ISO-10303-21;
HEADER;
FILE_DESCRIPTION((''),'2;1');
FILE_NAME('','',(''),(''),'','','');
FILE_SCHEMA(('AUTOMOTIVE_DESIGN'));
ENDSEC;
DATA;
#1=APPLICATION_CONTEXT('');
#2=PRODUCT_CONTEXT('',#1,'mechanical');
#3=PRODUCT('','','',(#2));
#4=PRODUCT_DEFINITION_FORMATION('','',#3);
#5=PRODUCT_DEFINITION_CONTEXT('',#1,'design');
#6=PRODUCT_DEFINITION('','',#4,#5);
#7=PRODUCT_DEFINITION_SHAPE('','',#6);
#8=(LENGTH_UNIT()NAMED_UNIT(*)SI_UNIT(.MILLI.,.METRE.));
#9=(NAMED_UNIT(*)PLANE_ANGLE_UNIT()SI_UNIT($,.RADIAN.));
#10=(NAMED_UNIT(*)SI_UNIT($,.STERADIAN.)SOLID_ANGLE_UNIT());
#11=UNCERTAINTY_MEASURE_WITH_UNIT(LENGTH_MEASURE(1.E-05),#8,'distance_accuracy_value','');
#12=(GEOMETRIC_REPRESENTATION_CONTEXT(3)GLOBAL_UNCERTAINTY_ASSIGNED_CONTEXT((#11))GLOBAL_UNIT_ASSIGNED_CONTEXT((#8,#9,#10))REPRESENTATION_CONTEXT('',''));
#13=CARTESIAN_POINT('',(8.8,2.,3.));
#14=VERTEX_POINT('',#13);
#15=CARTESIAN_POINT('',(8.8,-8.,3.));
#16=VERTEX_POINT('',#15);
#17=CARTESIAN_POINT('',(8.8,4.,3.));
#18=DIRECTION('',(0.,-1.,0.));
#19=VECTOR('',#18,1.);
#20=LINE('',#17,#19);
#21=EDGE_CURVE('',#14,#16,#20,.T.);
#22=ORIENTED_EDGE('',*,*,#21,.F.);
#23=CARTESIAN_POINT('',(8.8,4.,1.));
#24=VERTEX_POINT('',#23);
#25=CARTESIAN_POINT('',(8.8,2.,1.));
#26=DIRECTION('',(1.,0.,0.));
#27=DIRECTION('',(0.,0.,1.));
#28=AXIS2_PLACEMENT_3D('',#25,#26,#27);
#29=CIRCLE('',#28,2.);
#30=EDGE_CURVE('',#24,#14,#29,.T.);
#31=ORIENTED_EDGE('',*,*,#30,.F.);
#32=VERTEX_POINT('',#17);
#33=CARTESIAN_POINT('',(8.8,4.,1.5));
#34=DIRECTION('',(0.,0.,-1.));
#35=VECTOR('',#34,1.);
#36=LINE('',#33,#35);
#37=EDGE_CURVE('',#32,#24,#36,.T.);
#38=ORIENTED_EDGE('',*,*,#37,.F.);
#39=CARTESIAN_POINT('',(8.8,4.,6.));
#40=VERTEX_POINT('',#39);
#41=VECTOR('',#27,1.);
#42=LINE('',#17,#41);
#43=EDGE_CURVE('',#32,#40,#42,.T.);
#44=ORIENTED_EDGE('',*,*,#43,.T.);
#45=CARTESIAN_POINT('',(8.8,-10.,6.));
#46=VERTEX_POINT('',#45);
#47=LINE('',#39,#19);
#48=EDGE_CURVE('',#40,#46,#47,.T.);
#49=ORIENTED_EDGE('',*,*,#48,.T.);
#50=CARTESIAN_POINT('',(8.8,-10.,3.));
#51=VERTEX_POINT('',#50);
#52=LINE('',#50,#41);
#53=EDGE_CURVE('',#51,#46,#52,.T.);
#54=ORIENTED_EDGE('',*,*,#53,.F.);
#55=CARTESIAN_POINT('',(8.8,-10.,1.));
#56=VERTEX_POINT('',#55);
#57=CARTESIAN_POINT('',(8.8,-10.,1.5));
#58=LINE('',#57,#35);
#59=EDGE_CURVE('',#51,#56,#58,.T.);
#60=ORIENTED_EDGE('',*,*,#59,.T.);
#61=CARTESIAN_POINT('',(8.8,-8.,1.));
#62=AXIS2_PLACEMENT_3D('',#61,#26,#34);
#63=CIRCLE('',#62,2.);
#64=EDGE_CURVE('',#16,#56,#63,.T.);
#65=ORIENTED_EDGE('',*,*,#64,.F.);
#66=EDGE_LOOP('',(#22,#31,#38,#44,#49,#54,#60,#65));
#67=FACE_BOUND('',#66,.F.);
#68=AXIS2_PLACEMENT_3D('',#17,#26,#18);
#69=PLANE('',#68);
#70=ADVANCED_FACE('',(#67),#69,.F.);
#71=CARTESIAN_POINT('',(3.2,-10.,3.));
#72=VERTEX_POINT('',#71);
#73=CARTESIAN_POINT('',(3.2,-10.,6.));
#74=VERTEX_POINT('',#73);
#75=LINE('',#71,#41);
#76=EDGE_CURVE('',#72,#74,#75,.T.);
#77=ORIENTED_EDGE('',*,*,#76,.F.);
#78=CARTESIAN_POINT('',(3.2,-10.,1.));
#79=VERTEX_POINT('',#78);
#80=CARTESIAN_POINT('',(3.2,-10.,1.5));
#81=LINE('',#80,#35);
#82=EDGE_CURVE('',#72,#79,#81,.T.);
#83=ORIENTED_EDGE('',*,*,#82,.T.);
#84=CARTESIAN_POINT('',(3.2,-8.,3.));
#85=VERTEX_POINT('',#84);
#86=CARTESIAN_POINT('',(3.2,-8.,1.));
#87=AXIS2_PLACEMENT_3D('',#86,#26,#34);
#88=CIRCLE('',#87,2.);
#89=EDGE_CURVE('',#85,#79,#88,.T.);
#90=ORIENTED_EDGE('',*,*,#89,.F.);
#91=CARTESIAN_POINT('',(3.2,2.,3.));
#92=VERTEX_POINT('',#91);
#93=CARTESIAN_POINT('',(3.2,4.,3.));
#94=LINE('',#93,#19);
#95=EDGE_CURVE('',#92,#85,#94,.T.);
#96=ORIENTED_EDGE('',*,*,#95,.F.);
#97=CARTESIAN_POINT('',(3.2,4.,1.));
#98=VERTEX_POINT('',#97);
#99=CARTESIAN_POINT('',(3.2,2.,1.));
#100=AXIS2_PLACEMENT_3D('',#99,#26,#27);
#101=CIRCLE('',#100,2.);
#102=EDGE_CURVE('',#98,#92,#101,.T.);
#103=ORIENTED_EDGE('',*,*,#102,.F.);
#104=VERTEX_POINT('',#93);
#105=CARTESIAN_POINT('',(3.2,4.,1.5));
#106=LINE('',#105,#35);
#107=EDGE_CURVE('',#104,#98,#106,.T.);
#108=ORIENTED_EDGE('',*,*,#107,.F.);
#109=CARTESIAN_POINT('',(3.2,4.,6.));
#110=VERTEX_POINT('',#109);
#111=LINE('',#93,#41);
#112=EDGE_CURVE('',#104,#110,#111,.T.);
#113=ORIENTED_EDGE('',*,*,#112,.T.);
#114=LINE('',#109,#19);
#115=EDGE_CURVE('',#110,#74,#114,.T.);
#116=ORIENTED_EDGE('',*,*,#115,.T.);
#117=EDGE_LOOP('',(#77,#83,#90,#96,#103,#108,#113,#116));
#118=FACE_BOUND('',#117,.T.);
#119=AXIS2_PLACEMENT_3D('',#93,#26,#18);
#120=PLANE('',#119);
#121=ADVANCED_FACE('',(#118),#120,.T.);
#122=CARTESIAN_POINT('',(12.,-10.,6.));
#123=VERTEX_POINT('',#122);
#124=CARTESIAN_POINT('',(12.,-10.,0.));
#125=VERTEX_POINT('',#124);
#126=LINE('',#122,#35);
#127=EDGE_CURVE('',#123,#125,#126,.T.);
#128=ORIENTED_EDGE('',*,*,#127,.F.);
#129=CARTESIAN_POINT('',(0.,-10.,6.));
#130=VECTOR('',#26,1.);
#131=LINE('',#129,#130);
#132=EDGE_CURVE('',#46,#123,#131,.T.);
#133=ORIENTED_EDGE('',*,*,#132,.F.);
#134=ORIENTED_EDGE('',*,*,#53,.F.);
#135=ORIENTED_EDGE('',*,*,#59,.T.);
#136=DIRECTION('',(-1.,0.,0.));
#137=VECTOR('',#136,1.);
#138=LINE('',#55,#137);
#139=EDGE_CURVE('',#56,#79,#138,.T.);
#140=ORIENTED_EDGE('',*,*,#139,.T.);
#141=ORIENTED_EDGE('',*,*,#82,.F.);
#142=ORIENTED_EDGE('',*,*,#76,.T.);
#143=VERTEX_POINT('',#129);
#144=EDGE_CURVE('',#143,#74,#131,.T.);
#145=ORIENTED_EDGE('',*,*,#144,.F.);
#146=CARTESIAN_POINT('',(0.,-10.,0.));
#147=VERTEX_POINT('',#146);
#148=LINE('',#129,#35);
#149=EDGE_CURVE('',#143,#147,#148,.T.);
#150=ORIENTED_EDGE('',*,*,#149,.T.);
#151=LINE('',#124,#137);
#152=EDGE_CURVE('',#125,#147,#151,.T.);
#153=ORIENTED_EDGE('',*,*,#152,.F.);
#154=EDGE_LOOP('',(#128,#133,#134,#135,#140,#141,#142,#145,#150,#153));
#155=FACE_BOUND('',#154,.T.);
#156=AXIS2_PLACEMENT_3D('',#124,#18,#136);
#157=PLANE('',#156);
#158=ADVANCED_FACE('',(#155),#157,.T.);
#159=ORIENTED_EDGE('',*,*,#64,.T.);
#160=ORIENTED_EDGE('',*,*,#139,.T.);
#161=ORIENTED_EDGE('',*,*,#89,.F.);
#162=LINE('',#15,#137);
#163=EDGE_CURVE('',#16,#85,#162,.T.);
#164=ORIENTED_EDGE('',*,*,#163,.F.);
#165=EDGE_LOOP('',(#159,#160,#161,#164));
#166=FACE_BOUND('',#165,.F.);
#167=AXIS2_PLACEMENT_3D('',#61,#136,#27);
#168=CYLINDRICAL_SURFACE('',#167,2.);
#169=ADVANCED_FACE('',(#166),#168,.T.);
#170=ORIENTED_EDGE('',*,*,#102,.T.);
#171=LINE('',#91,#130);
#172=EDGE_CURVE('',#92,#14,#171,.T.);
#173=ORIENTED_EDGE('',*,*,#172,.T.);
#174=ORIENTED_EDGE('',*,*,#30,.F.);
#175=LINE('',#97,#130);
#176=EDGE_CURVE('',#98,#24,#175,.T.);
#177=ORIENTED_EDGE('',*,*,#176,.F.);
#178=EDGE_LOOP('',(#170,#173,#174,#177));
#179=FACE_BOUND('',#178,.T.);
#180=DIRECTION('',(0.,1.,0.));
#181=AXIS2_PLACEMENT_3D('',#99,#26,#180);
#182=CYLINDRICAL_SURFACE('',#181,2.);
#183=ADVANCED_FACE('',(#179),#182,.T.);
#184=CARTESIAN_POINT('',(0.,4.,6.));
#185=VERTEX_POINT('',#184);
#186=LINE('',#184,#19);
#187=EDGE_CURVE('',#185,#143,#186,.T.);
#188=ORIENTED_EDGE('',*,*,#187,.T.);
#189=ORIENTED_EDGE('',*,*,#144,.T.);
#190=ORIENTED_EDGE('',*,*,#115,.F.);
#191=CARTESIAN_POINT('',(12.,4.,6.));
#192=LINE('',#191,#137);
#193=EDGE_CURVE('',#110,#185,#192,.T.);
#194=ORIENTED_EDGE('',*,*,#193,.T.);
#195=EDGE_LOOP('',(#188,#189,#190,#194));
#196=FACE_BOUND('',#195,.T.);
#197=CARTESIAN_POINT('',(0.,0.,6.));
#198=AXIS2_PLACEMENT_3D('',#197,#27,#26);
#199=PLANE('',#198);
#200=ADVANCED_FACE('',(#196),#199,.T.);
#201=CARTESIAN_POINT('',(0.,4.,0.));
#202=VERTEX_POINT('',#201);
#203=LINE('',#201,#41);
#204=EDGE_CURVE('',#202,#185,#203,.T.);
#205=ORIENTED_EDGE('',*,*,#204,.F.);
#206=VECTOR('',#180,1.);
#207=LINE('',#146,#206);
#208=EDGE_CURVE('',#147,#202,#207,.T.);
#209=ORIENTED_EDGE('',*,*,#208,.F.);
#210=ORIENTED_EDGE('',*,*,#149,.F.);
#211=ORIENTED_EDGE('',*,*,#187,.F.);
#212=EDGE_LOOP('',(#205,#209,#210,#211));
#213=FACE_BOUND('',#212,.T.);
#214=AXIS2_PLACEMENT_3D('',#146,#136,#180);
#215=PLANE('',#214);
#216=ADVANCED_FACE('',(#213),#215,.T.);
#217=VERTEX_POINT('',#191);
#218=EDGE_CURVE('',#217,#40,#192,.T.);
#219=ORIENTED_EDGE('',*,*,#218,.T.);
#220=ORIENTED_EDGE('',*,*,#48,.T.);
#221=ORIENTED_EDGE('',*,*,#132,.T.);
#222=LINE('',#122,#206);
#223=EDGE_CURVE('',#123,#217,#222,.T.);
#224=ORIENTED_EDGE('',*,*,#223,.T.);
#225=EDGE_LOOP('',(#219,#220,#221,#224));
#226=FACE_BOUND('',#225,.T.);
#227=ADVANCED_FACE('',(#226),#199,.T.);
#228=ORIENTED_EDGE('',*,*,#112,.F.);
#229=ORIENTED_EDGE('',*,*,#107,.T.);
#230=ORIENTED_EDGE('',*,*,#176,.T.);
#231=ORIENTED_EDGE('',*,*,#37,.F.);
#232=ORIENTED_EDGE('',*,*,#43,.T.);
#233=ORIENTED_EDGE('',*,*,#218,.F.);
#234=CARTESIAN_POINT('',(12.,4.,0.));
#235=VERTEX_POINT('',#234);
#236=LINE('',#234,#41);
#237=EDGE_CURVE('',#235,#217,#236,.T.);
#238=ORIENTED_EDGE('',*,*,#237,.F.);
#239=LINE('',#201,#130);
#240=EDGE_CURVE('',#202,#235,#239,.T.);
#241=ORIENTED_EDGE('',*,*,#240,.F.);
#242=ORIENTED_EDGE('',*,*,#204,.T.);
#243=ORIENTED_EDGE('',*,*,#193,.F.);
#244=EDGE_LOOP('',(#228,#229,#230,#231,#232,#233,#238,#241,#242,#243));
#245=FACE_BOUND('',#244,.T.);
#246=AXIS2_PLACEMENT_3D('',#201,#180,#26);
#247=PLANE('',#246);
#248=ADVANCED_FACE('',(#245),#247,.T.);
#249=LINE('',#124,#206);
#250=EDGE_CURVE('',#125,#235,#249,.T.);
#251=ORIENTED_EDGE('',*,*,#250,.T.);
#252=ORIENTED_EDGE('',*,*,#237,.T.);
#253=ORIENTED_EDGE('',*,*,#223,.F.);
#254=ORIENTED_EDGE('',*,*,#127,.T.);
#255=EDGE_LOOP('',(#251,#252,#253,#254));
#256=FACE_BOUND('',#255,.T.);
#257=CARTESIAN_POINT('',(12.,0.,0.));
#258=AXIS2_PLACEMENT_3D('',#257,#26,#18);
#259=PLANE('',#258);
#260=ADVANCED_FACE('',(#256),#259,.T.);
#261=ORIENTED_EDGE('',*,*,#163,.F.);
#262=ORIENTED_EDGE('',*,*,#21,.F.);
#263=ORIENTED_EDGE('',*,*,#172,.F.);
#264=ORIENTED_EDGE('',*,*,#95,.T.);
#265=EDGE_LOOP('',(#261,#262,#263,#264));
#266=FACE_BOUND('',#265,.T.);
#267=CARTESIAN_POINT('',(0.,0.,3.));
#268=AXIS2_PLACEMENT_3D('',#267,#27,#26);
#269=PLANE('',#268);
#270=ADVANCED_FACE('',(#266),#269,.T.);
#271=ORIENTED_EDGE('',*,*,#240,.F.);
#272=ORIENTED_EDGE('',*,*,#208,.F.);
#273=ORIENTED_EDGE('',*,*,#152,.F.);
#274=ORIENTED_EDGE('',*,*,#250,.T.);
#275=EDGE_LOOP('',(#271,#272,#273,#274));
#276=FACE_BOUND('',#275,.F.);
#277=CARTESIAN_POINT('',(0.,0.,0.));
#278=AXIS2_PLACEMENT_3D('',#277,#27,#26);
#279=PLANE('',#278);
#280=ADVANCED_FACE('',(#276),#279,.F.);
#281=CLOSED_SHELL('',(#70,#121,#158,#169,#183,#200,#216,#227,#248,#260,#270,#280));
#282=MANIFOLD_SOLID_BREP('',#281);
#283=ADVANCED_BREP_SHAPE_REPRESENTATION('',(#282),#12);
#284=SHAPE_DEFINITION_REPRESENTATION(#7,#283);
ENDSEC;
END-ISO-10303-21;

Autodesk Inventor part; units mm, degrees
ref_plane "YZ Plane" through (0, 0, 0) normal (1, 0, 0) x (0, 1, 0)
ref_plane "XZ Plane" through (0, 0, 0) normal (0, 1, 0) x (-1, 0, 0)
ref_plane "XY Plane" through (0, 0, 0) normal (0, 0, 1) x (1, 0, 0)
ref_plane "Work Plane1" through (0, 0, 0) normal (0, 0, 1) x (1, 0, 0)
sketch "Sketch1" plane through (0, 0, 0) normal (0, 0, 1) x (1, 0, 0)
  line L0 (12, 0) -> (12, 4) projected
  line L1 (0, 4) -> (12, 4) projected
  line L2 (0, 0) -> (0, 4) projected
  line L3 (12, 0) -> (12, -10)
  line L4 (12, -10) -> (0, -10)
  line L5 (0, -10) -> (0, 4)
  line L6 (0, 4) -> (12, 4)
  line L7 (12, 4) -> (12, 0)
  dimension "d0" = 10
extrude "Extrusion1" add sketch "Sketch1" along normal blind 3
sketch "Sketch2" plane through (0, 0, 3) normal (0, 0, 1) x (1, 0, 0)
  line L0 (12, -10) -> (12, 4) projected
  line L1 (12, 4) -> (0, 4) projected
  line L2 (0, 4) -> (0, -10) projected
  line L3 (0, -10) -> (12, -10) projected
  line L4 (6, 4) -> (8.8, 4)
  line L5 (6, 4) -> (3.2, 4)
  line L6 (8.8, 4) -> (8.8, -10)
  line L7 (8.8, -10) -> (12, -10)
  line L8 (12, 4) -> (8.8, 4)
  line L9 (3.2, 4) -> (3.2, -10)
  line L10 (3.2, -10) -> (0, -10)
  line L11 (0, -10) -> (0, 4)
  line L12 (0, 4) -> (3.2, 4)
  point P0 (0, 0)
  dimension "d3" = 2.8
  dimension "d4" = 2.8
extrude "Extrusion2" add sketch "Sketch2" along normal blind 3 contours L3 L6 L1 L0 | L3 L2 L1 L9
fillet "Fillet1" radius 2 1 edges at (6, 4, 3)
fillet "Fillet2" radius 2 1 edges at (6, -10, 3)
equation "\"d4\" = d3"
properties part number "commutator_attachement_side_plate"
